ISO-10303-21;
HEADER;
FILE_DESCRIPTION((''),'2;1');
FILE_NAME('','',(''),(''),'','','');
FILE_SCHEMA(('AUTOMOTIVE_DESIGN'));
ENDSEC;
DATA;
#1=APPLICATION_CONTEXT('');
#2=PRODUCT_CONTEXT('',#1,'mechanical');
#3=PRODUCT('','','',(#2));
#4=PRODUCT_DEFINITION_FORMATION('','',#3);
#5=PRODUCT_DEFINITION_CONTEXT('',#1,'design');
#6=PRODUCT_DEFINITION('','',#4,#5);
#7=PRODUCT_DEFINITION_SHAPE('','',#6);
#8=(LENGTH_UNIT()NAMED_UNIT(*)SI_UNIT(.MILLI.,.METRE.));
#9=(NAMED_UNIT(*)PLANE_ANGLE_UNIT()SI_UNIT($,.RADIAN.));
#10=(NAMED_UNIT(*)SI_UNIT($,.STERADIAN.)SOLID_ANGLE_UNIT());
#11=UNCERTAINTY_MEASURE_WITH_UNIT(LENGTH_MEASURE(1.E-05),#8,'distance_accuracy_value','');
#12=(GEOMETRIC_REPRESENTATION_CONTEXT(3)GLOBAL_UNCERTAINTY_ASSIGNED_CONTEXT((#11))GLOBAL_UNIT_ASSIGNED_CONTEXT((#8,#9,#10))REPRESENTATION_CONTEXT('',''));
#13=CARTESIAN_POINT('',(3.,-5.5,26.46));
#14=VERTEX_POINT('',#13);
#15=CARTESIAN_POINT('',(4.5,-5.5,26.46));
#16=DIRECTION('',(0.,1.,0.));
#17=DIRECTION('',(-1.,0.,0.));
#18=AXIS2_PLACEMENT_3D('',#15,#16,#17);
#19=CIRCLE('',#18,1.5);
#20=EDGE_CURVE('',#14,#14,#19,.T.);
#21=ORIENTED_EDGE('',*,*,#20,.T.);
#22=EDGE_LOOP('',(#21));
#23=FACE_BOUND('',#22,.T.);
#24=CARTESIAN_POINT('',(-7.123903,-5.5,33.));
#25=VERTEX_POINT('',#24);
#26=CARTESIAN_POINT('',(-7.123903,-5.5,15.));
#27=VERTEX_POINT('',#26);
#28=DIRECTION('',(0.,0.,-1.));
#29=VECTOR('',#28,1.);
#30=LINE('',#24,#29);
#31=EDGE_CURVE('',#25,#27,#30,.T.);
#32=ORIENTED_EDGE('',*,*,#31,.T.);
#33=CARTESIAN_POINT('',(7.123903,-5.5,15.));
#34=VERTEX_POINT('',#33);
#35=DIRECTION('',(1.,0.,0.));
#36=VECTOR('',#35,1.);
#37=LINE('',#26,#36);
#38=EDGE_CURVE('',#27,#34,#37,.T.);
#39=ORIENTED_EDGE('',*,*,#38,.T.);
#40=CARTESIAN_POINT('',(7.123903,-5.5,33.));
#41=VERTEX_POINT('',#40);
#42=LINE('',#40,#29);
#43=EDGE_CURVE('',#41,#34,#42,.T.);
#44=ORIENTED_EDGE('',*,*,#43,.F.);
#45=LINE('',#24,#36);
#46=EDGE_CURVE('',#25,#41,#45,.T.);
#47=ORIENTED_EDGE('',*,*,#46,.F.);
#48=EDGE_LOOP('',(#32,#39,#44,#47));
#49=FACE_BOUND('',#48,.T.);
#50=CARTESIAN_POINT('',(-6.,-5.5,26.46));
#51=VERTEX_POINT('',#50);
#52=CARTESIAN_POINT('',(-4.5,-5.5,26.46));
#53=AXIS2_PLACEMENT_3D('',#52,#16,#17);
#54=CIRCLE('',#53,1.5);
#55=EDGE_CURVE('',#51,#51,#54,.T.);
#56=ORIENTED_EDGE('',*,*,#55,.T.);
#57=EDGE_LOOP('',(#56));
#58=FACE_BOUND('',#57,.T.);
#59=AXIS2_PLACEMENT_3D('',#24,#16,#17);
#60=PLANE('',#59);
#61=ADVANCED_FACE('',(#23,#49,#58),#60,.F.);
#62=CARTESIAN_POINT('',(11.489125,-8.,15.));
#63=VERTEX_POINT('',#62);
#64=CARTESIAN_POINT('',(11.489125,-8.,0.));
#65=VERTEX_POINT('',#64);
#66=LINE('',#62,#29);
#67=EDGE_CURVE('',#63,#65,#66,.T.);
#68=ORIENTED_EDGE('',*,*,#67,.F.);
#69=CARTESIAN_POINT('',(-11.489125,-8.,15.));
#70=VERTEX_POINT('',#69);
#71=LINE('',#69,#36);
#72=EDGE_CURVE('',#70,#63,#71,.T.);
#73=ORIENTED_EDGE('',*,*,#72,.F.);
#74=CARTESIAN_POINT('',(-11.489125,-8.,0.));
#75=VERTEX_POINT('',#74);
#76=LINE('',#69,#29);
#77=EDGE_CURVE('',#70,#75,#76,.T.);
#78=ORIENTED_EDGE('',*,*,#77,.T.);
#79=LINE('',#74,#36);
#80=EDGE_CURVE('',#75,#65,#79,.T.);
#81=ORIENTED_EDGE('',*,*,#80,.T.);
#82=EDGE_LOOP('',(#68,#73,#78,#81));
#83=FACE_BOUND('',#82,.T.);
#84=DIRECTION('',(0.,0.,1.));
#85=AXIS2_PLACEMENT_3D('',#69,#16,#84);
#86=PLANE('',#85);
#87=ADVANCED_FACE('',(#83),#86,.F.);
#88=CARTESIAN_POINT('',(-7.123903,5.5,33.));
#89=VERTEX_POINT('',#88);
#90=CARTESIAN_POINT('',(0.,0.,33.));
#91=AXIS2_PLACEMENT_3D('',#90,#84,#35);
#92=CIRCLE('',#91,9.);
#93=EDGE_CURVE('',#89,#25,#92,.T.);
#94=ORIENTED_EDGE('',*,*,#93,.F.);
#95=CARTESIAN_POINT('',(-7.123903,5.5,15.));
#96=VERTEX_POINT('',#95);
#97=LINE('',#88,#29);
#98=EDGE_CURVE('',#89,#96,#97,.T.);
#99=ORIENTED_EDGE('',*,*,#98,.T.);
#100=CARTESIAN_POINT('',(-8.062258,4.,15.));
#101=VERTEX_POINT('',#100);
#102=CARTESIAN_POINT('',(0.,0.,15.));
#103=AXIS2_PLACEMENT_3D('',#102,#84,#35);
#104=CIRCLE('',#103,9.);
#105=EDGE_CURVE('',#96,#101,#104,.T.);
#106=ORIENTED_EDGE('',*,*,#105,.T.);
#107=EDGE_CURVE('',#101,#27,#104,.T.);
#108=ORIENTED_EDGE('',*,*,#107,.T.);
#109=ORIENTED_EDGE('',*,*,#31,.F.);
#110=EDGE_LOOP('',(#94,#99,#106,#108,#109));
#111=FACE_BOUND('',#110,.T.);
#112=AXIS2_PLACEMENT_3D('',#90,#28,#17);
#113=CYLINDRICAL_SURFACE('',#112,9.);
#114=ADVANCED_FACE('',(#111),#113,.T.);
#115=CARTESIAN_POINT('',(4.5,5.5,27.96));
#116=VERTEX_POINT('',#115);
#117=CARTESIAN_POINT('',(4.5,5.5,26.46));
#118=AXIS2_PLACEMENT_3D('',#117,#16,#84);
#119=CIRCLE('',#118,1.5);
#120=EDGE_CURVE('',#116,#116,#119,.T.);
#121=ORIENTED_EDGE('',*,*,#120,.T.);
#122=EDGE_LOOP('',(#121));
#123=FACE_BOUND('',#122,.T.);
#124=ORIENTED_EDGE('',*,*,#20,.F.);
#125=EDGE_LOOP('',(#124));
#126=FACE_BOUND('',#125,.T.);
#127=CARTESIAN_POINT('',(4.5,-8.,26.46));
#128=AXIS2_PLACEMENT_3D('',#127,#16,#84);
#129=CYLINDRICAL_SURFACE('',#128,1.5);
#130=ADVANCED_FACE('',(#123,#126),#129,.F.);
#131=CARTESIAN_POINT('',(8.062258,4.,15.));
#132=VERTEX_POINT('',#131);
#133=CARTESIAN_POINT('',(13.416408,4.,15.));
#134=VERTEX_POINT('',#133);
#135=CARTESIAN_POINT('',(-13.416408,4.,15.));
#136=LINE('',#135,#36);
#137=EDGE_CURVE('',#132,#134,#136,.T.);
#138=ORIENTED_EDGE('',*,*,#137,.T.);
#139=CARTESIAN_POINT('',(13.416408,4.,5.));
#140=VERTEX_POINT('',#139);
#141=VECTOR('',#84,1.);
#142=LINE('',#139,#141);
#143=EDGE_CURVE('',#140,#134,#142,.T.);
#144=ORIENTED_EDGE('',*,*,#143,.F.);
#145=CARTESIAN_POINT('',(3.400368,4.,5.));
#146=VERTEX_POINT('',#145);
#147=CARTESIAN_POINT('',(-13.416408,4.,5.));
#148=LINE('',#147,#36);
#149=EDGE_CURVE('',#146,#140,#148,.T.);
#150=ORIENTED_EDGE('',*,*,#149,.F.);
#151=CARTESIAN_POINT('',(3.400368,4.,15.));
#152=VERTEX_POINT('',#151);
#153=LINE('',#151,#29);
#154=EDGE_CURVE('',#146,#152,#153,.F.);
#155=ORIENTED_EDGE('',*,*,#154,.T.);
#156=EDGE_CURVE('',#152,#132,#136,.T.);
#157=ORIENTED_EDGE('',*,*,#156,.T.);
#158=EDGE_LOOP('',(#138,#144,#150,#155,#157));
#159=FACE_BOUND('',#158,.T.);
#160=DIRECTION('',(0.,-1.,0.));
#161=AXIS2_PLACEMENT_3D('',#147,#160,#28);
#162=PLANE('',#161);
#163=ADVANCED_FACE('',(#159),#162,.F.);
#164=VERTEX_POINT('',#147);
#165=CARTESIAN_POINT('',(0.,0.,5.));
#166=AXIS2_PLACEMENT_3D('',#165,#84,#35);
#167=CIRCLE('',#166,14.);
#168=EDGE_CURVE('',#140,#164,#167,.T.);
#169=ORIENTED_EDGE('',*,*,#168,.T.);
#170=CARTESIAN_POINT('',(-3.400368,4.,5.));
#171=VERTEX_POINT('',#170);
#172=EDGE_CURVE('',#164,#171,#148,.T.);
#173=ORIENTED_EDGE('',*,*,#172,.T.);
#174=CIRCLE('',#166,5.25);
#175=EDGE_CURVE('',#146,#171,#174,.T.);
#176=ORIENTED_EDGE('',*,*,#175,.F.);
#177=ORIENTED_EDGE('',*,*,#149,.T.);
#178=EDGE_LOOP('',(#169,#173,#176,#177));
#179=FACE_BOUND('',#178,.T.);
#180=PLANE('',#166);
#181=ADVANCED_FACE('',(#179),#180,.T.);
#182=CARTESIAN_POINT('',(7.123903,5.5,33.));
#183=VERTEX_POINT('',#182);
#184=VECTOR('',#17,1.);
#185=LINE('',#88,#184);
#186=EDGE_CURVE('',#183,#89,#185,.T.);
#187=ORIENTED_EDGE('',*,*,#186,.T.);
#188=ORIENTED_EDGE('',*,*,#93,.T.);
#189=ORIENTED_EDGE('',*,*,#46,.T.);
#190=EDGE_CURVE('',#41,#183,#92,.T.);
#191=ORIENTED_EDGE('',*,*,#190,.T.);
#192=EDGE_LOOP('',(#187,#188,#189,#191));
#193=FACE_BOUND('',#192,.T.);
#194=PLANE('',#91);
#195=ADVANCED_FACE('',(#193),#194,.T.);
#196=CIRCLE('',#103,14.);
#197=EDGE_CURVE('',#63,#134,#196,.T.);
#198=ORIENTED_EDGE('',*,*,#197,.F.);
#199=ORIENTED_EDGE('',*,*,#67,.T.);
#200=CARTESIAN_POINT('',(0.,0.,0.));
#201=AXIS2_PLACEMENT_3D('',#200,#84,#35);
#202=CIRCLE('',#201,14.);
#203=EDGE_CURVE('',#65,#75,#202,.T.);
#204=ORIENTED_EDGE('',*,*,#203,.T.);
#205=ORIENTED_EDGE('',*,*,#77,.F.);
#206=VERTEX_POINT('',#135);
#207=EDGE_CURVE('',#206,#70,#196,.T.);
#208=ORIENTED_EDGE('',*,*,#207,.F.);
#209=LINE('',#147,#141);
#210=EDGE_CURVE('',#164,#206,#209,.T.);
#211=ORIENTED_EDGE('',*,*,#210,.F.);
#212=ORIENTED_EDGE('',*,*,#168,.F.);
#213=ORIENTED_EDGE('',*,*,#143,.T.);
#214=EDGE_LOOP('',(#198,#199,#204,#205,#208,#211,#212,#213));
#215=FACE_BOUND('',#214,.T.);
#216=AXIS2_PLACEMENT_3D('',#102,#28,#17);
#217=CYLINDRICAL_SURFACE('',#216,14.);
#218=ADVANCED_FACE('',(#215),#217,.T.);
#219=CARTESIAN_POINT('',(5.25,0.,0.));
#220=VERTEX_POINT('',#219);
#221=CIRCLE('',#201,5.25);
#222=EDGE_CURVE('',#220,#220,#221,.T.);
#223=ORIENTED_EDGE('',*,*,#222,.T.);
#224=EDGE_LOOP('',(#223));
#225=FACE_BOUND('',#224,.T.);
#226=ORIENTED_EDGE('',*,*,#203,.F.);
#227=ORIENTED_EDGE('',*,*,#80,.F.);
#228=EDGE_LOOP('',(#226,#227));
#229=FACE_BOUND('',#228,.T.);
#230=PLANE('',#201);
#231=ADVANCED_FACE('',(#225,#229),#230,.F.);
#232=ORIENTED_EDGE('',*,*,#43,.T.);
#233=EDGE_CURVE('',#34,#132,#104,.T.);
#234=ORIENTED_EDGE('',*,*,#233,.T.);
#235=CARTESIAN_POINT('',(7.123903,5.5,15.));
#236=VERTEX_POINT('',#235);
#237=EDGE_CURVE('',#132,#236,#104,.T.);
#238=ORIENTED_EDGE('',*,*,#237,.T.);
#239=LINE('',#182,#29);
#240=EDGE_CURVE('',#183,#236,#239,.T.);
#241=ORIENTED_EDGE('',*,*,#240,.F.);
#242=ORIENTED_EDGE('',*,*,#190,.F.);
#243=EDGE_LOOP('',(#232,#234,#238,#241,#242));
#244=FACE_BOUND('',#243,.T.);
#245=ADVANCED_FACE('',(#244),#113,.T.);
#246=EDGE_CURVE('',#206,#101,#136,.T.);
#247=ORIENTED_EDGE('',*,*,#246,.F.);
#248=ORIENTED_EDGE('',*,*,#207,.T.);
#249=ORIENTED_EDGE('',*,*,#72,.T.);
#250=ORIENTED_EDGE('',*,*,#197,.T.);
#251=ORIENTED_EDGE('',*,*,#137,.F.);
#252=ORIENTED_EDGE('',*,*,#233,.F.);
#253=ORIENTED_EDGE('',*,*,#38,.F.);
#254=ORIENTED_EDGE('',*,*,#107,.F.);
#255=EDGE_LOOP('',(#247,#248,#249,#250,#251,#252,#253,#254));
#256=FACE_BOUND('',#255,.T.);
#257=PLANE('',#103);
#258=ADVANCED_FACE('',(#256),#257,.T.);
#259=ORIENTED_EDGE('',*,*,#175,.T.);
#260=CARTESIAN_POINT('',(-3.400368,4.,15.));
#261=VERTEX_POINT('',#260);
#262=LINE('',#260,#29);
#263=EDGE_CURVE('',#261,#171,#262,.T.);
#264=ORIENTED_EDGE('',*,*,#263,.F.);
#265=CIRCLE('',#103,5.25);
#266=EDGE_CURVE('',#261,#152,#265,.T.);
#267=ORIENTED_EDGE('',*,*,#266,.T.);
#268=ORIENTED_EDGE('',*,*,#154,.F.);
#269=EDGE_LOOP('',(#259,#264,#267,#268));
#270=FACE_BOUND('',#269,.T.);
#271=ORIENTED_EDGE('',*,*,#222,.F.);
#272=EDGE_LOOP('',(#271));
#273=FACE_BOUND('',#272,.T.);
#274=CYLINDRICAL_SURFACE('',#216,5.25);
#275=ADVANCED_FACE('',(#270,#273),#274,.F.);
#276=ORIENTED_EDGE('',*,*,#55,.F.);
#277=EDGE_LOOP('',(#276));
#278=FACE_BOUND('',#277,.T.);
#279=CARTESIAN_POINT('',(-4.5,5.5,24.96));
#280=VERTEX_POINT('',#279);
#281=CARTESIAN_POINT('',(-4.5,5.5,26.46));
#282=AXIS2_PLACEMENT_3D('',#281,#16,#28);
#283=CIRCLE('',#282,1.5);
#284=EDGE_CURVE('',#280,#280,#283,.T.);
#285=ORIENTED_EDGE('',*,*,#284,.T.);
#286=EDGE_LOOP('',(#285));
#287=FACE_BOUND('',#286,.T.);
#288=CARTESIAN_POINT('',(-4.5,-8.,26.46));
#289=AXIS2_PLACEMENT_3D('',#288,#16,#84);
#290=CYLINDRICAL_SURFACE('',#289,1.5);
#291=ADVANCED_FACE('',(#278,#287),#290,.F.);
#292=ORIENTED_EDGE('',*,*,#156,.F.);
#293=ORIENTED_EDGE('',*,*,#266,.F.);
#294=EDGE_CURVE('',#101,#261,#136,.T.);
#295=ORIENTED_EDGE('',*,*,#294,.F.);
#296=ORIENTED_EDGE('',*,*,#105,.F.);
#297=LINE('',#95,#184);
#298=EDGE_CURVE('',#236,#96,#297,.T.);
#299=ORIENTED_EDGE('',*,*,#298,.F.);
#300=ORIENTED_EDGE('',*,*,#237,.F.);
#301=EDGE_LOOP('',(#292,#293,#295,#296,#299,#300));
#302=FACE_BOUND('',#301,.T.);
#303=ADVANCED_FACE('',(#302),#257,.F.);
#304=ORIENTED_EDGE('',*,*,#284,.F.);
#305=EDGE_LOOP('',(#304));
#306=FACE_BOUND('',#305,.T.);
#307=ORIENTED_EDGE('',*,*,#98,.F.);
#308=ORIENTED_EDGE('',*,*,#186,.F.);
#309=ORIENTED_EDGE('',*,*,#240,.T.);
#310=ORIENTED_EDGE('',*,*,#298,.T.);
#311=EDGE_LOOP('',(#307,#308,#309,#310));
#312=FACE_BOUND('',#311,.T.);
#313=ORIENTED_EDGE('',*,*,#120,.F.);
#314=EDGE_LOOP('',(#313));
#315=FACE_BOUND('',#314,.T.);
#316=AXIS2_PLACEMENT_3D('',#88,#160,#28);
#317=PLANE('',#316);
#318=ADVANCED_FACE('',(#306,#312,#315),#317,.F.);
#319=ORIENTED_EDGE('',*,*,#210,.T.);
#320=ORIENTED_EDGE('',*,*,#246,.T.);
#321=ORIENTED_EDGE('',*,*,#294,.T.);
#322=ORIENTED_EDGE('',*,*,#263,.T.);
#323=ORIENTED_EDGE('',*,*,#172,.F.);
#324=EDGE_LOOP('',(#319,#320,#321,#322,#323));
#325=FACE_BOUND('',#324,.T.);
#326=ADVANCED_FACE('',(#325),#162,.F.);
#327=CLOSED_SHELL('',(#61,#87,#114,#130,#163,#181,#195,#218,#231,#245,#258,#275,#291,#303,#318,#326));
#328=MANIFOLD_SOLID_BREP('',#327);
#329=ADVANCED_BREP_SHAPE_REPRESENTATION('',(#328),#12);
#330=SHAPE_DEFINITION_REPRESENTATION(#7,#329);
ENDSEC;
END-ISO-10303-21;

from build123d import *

# Parameters (mm, degrees)
SKETCH_1_R          = 5.25
EXTRUDE_1_DEPTH     = 15
CUT_EXTRUDE_START   = -10
CUT_EXTRUDE_1_DEPTH = 10
EXTRUDE_2_DEPTH     = 18
SKETCH_4_R          = 1.5
CUT_EXTRUDE_2_DEPTH = 39.304699451


with BuildPart() as part:
    # 草图1 → 凸台-拉伸1 (new body)
    with BuildSketch(Plane.XY):
        with BuildLine():
            Line((-11.489125293, -8), (11.489125293, -8))
            ThreePointArc((11.489125293, -8), (0, 14), (-11.489125293, -8))
        make_face()
        Circle(SKETCH_1_R, mode=Mode.SUBTRACT)
    extrude(amount=EXTRUDE_1_DEPTH)

    # 草图2 → 切除-拉伸1 (cut)
    with BuildSketch(Plane.XY.offset(15).offset(CUT_EXTRUDE_START)):
        with BuildLine():
            Line((-13.416407865, 4), (13.416407865, 4))
            ThreePointArc((13.416407865, 4), (0, 14), (-13.416407865, 4))
        make_face()
    extrude(amount=CUT_EXTRUDE_1_DEPTH, mode=Mode.SUBTRACT)

    # 草图3 → 凸台-拉伸2 (add)
    with BuildSketch(Plane.XY.offset(15)):
        with BuildLine():
            Line((-7.123903424, 5.5), (7.123903424, 5.5))
            ThreePointArc((7.123903424, 5.5), (9, 0), (7.123903424, -5.5))
            Line((7.123903424, -5.5), (-7.123903424, -5.5))
            ThreePointArc((-7.123903424, -5.5), (-9, 0), (-7.123903424, 5.5))
        make_face()
    extrude(amount=EXTRUDE_2_DEPTH)

    # 草图4 → 切除-拉伸2 (cut, through all)
    with BuildSketch(Plane(origin=(0, 5.5, 0), x_dir=(1, 0, 0), z_dir=(0, 1, 0))):
        with Locations(Location((4.5, -26.46, 0), (0, 0, 270))):
            Circle(SKETCH_4_R)
        with Locations(Location((-4.5, -26.46, 0), (0, 0, 180))):
            Circle(SKETCH_4_R)
    extrude(amount=-CUT_EXTRUDE_2_DEPTH, mode=Mode.SUBTRACT)


solid = part.part
